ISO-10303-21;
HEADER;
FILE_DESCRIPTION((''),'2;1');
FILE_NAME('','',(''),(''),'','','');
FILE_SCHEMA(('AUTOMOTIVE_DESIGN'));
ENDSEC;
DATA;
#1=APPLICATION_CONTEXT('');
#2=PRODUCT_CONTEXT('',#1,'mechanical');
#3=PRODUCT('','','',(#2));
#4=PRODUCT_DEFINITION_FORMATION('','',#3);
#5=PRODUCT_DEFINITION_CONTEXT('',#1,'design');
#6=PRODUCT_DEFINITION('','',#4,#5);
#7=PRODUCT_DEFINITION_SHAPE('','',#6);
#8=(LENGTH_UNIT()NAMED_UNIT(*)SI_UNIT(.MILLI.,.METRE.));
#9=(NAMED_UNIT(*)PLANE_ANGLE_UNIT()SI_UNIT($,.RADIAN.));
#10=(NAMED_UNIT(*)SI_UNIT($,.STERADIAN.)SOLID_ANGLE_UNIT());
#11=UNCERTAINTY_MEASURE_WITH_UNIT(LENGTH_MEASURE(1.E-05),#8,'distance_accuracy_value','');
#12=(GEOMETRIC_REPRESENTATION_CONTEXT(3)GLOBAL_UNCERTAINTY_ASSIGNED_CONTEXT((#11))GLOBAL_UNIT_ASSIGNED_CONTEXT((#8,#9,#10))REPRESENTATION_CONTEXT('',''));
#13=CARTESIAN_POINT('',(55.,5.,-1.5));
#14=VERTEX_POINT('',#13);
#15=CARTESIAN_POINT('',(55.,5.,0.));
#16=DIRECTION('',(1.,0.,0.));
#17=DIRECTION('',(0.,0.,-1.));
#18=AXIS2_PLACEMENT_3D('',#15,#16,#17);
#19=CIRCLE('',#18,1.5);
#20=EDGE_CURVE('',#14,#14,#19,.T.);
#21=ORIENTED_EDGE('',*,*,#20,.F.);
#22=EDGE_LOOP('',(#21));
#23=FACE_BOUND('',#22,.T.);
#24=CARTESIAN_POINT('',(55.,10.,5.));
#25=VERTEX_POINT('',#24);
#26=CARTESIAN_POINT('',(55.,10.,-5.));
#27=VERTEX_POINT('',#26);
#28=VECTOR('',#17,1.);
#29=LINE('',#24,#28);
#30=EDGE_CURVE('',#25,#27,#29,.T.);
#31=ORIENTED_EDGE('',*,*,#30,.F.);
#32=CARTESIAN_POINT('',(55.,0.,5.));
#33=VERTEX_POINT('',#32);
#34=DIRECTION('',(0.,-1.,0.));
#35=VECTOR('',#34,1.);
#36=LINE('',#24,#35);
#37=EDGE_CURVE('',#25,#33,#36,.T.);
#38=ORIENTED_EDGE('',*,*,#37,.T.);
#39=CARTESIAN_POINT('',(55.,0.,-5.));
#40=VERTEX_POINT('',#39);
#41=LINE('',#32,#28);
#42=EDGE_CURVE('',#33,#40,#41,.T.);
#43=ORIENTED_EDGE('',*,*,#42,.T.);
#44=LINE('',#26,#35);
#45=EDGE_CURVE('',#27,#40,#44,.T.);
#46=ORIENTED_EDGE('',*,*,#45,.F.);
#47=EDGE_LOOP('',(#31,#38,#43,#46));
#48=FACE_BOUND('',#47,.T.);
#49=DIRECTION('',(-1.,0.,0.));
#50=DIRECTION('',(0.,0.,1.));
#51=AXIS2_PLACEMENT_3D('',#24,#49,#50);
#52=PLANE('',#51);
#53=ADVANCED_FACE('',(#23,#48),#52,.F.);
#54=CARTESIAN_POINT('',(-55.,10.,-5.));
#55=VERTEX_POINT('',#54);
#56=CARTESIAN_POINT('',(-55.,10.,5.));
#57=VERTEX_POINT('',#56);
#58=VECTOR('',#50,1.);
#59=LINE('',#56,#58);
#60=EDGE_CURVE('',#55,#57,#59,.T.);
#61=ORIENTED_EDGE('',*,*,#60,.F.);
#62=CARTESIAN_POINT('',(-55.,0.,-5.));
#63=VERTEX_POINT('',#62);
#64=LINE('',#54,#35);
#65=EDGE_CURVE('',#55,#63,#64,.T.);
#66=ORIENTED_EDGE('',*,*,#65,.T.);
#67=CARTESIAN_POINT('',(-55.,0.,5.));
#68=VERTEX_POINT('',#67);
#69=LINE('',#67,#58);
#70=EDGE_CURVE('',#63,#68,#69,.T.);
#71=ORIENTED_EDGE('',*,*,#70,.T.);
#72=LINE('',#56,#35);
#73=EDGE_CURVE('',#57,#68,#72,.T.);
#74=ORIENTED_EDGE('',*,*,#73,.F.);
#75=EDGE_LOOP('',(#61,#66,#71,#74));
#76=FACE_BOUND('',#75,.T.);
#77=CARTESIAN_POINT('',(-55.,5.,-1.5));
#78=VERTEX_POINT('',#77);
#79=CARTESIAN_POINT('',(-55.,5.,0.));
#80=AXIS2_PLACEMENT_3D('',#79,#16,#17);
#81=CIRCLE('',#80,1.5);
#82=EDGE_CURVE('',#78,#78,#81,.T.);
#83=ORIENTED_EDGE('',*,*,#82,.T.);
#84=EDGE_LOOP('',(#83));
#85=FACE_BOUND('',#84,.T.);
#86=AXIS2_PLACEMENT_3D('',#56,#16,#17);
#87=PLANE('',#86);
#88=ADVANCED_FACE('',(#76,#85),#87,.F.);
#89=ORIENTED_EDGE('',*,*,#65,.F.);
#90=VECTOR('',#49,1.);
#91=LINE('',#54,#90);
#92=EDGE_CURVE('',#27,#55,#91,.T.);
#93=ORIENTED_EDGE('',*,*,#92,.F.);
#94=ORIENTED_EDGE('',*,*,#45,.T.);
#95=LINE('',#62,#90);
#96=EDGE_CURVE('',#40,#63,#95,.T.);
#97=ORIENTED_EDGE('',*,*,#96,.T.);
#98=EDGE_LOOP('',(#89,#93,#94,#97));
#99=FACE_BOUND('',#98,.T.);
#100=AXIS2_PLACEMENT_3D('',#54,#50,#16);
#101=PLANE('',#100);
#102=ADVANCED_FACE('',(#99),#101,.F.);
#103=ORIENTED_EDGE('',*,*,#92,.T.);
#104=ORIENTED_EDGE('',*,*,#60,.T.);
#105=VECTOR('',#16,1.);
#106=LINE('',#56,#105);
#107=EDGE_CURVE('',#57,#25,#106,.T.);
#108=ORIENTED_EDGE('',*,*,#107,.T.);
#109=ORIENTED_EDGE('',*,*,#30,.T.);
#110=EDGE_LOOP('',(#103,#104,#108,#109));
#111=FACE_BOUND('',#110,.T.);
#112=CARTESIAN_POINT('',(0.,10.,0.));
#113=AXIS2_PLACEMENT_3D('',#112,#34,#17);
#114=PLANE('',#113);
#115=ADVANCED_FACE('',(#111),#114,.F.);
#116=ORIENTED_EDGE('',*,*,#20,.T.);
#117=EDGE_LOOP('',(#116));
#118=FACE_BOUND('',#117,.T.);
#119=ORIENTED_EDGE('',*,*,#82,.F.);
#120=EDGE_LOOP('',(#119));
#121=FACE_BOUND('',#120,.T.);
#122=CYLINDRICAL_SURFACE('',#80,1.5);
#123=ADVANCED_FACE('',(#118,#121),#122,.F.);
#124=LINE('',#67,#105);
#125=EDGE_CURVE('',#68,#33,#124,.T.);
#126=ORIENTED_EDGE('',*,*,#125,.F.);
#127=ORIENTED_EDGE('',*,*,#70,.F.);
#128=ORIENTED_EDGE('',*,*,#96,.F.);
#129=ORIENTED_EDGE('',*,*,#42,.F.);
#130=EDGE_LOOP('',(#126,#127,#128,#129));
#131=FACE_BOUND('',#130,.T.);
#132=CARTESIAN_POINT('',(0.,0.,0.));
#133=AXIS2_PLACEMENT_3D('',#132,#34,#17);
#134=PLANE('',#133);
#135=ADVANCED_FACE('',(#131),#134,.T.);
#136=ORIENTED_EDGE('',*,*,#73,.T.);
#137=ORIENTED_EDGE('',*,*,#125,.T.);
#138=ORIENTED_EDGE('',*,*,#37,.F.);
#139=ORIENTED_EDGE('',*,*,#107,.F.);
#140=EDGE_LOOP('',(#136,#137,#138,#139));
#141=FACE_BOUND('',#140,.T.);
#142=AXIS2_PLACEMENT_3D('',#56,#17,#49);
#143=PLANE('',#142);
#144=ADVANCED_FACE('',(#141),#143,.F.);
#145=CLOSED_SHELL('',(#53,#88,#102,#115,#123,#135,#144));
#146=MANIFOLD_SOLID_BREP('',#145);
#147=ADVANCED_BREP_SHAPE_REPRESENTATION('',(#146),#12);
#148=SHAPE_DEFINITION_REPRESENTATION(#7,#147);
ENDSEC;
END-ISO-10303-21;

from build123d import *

# Parameters (mm, degrees)
SKETCH_1_W               = 110
SKETCH_1_H               = 10
EXTRUDE_1_DEPTH          = 10
CUT_EXTRUDE_1_DEPTH      = 57.124860802
CUT_EXTRUDE_1_DEPTH_BACK = 57.124860802
SKETCH_2_R               = 1.5


with BuildPart() as part:
    # ｽｹｯﾁ1 → ﾎﾞｽ - 押し出し1 (new body)
    with BuildSketch(Plane(origin=(0, 0, 0), x_dir=(1, 0, 0), z_dir=(0, 1, 0))):
        Rectangle(SKETCH_1_W, SKETCH_1_H)
    extrude(amount=EXTRUDE_1_DEPTH)

    # ｽｹｯﾁ2 → ｶｯﾄ - 押し出し1 (cut, two sides: drawn at the far end of the back side and taken through both)
    with BuildSketch(Plane(origin=(0, 0, 0), x_dir=(0, 0, -1), z_dir=(1, 0, 0)).offset(-CUT_EXTRUDE_1_DEPTH_BACK)):
        with Locations((0, 5)):
            Circle(SKETCH_2_R)
    extrude(amount=CUT_EXTRUDE_1_DEPTH + CUT_EXTRUDE_1_DEPTH_BACK, mode=Mode.SUBTRACT)


solid = part.part
